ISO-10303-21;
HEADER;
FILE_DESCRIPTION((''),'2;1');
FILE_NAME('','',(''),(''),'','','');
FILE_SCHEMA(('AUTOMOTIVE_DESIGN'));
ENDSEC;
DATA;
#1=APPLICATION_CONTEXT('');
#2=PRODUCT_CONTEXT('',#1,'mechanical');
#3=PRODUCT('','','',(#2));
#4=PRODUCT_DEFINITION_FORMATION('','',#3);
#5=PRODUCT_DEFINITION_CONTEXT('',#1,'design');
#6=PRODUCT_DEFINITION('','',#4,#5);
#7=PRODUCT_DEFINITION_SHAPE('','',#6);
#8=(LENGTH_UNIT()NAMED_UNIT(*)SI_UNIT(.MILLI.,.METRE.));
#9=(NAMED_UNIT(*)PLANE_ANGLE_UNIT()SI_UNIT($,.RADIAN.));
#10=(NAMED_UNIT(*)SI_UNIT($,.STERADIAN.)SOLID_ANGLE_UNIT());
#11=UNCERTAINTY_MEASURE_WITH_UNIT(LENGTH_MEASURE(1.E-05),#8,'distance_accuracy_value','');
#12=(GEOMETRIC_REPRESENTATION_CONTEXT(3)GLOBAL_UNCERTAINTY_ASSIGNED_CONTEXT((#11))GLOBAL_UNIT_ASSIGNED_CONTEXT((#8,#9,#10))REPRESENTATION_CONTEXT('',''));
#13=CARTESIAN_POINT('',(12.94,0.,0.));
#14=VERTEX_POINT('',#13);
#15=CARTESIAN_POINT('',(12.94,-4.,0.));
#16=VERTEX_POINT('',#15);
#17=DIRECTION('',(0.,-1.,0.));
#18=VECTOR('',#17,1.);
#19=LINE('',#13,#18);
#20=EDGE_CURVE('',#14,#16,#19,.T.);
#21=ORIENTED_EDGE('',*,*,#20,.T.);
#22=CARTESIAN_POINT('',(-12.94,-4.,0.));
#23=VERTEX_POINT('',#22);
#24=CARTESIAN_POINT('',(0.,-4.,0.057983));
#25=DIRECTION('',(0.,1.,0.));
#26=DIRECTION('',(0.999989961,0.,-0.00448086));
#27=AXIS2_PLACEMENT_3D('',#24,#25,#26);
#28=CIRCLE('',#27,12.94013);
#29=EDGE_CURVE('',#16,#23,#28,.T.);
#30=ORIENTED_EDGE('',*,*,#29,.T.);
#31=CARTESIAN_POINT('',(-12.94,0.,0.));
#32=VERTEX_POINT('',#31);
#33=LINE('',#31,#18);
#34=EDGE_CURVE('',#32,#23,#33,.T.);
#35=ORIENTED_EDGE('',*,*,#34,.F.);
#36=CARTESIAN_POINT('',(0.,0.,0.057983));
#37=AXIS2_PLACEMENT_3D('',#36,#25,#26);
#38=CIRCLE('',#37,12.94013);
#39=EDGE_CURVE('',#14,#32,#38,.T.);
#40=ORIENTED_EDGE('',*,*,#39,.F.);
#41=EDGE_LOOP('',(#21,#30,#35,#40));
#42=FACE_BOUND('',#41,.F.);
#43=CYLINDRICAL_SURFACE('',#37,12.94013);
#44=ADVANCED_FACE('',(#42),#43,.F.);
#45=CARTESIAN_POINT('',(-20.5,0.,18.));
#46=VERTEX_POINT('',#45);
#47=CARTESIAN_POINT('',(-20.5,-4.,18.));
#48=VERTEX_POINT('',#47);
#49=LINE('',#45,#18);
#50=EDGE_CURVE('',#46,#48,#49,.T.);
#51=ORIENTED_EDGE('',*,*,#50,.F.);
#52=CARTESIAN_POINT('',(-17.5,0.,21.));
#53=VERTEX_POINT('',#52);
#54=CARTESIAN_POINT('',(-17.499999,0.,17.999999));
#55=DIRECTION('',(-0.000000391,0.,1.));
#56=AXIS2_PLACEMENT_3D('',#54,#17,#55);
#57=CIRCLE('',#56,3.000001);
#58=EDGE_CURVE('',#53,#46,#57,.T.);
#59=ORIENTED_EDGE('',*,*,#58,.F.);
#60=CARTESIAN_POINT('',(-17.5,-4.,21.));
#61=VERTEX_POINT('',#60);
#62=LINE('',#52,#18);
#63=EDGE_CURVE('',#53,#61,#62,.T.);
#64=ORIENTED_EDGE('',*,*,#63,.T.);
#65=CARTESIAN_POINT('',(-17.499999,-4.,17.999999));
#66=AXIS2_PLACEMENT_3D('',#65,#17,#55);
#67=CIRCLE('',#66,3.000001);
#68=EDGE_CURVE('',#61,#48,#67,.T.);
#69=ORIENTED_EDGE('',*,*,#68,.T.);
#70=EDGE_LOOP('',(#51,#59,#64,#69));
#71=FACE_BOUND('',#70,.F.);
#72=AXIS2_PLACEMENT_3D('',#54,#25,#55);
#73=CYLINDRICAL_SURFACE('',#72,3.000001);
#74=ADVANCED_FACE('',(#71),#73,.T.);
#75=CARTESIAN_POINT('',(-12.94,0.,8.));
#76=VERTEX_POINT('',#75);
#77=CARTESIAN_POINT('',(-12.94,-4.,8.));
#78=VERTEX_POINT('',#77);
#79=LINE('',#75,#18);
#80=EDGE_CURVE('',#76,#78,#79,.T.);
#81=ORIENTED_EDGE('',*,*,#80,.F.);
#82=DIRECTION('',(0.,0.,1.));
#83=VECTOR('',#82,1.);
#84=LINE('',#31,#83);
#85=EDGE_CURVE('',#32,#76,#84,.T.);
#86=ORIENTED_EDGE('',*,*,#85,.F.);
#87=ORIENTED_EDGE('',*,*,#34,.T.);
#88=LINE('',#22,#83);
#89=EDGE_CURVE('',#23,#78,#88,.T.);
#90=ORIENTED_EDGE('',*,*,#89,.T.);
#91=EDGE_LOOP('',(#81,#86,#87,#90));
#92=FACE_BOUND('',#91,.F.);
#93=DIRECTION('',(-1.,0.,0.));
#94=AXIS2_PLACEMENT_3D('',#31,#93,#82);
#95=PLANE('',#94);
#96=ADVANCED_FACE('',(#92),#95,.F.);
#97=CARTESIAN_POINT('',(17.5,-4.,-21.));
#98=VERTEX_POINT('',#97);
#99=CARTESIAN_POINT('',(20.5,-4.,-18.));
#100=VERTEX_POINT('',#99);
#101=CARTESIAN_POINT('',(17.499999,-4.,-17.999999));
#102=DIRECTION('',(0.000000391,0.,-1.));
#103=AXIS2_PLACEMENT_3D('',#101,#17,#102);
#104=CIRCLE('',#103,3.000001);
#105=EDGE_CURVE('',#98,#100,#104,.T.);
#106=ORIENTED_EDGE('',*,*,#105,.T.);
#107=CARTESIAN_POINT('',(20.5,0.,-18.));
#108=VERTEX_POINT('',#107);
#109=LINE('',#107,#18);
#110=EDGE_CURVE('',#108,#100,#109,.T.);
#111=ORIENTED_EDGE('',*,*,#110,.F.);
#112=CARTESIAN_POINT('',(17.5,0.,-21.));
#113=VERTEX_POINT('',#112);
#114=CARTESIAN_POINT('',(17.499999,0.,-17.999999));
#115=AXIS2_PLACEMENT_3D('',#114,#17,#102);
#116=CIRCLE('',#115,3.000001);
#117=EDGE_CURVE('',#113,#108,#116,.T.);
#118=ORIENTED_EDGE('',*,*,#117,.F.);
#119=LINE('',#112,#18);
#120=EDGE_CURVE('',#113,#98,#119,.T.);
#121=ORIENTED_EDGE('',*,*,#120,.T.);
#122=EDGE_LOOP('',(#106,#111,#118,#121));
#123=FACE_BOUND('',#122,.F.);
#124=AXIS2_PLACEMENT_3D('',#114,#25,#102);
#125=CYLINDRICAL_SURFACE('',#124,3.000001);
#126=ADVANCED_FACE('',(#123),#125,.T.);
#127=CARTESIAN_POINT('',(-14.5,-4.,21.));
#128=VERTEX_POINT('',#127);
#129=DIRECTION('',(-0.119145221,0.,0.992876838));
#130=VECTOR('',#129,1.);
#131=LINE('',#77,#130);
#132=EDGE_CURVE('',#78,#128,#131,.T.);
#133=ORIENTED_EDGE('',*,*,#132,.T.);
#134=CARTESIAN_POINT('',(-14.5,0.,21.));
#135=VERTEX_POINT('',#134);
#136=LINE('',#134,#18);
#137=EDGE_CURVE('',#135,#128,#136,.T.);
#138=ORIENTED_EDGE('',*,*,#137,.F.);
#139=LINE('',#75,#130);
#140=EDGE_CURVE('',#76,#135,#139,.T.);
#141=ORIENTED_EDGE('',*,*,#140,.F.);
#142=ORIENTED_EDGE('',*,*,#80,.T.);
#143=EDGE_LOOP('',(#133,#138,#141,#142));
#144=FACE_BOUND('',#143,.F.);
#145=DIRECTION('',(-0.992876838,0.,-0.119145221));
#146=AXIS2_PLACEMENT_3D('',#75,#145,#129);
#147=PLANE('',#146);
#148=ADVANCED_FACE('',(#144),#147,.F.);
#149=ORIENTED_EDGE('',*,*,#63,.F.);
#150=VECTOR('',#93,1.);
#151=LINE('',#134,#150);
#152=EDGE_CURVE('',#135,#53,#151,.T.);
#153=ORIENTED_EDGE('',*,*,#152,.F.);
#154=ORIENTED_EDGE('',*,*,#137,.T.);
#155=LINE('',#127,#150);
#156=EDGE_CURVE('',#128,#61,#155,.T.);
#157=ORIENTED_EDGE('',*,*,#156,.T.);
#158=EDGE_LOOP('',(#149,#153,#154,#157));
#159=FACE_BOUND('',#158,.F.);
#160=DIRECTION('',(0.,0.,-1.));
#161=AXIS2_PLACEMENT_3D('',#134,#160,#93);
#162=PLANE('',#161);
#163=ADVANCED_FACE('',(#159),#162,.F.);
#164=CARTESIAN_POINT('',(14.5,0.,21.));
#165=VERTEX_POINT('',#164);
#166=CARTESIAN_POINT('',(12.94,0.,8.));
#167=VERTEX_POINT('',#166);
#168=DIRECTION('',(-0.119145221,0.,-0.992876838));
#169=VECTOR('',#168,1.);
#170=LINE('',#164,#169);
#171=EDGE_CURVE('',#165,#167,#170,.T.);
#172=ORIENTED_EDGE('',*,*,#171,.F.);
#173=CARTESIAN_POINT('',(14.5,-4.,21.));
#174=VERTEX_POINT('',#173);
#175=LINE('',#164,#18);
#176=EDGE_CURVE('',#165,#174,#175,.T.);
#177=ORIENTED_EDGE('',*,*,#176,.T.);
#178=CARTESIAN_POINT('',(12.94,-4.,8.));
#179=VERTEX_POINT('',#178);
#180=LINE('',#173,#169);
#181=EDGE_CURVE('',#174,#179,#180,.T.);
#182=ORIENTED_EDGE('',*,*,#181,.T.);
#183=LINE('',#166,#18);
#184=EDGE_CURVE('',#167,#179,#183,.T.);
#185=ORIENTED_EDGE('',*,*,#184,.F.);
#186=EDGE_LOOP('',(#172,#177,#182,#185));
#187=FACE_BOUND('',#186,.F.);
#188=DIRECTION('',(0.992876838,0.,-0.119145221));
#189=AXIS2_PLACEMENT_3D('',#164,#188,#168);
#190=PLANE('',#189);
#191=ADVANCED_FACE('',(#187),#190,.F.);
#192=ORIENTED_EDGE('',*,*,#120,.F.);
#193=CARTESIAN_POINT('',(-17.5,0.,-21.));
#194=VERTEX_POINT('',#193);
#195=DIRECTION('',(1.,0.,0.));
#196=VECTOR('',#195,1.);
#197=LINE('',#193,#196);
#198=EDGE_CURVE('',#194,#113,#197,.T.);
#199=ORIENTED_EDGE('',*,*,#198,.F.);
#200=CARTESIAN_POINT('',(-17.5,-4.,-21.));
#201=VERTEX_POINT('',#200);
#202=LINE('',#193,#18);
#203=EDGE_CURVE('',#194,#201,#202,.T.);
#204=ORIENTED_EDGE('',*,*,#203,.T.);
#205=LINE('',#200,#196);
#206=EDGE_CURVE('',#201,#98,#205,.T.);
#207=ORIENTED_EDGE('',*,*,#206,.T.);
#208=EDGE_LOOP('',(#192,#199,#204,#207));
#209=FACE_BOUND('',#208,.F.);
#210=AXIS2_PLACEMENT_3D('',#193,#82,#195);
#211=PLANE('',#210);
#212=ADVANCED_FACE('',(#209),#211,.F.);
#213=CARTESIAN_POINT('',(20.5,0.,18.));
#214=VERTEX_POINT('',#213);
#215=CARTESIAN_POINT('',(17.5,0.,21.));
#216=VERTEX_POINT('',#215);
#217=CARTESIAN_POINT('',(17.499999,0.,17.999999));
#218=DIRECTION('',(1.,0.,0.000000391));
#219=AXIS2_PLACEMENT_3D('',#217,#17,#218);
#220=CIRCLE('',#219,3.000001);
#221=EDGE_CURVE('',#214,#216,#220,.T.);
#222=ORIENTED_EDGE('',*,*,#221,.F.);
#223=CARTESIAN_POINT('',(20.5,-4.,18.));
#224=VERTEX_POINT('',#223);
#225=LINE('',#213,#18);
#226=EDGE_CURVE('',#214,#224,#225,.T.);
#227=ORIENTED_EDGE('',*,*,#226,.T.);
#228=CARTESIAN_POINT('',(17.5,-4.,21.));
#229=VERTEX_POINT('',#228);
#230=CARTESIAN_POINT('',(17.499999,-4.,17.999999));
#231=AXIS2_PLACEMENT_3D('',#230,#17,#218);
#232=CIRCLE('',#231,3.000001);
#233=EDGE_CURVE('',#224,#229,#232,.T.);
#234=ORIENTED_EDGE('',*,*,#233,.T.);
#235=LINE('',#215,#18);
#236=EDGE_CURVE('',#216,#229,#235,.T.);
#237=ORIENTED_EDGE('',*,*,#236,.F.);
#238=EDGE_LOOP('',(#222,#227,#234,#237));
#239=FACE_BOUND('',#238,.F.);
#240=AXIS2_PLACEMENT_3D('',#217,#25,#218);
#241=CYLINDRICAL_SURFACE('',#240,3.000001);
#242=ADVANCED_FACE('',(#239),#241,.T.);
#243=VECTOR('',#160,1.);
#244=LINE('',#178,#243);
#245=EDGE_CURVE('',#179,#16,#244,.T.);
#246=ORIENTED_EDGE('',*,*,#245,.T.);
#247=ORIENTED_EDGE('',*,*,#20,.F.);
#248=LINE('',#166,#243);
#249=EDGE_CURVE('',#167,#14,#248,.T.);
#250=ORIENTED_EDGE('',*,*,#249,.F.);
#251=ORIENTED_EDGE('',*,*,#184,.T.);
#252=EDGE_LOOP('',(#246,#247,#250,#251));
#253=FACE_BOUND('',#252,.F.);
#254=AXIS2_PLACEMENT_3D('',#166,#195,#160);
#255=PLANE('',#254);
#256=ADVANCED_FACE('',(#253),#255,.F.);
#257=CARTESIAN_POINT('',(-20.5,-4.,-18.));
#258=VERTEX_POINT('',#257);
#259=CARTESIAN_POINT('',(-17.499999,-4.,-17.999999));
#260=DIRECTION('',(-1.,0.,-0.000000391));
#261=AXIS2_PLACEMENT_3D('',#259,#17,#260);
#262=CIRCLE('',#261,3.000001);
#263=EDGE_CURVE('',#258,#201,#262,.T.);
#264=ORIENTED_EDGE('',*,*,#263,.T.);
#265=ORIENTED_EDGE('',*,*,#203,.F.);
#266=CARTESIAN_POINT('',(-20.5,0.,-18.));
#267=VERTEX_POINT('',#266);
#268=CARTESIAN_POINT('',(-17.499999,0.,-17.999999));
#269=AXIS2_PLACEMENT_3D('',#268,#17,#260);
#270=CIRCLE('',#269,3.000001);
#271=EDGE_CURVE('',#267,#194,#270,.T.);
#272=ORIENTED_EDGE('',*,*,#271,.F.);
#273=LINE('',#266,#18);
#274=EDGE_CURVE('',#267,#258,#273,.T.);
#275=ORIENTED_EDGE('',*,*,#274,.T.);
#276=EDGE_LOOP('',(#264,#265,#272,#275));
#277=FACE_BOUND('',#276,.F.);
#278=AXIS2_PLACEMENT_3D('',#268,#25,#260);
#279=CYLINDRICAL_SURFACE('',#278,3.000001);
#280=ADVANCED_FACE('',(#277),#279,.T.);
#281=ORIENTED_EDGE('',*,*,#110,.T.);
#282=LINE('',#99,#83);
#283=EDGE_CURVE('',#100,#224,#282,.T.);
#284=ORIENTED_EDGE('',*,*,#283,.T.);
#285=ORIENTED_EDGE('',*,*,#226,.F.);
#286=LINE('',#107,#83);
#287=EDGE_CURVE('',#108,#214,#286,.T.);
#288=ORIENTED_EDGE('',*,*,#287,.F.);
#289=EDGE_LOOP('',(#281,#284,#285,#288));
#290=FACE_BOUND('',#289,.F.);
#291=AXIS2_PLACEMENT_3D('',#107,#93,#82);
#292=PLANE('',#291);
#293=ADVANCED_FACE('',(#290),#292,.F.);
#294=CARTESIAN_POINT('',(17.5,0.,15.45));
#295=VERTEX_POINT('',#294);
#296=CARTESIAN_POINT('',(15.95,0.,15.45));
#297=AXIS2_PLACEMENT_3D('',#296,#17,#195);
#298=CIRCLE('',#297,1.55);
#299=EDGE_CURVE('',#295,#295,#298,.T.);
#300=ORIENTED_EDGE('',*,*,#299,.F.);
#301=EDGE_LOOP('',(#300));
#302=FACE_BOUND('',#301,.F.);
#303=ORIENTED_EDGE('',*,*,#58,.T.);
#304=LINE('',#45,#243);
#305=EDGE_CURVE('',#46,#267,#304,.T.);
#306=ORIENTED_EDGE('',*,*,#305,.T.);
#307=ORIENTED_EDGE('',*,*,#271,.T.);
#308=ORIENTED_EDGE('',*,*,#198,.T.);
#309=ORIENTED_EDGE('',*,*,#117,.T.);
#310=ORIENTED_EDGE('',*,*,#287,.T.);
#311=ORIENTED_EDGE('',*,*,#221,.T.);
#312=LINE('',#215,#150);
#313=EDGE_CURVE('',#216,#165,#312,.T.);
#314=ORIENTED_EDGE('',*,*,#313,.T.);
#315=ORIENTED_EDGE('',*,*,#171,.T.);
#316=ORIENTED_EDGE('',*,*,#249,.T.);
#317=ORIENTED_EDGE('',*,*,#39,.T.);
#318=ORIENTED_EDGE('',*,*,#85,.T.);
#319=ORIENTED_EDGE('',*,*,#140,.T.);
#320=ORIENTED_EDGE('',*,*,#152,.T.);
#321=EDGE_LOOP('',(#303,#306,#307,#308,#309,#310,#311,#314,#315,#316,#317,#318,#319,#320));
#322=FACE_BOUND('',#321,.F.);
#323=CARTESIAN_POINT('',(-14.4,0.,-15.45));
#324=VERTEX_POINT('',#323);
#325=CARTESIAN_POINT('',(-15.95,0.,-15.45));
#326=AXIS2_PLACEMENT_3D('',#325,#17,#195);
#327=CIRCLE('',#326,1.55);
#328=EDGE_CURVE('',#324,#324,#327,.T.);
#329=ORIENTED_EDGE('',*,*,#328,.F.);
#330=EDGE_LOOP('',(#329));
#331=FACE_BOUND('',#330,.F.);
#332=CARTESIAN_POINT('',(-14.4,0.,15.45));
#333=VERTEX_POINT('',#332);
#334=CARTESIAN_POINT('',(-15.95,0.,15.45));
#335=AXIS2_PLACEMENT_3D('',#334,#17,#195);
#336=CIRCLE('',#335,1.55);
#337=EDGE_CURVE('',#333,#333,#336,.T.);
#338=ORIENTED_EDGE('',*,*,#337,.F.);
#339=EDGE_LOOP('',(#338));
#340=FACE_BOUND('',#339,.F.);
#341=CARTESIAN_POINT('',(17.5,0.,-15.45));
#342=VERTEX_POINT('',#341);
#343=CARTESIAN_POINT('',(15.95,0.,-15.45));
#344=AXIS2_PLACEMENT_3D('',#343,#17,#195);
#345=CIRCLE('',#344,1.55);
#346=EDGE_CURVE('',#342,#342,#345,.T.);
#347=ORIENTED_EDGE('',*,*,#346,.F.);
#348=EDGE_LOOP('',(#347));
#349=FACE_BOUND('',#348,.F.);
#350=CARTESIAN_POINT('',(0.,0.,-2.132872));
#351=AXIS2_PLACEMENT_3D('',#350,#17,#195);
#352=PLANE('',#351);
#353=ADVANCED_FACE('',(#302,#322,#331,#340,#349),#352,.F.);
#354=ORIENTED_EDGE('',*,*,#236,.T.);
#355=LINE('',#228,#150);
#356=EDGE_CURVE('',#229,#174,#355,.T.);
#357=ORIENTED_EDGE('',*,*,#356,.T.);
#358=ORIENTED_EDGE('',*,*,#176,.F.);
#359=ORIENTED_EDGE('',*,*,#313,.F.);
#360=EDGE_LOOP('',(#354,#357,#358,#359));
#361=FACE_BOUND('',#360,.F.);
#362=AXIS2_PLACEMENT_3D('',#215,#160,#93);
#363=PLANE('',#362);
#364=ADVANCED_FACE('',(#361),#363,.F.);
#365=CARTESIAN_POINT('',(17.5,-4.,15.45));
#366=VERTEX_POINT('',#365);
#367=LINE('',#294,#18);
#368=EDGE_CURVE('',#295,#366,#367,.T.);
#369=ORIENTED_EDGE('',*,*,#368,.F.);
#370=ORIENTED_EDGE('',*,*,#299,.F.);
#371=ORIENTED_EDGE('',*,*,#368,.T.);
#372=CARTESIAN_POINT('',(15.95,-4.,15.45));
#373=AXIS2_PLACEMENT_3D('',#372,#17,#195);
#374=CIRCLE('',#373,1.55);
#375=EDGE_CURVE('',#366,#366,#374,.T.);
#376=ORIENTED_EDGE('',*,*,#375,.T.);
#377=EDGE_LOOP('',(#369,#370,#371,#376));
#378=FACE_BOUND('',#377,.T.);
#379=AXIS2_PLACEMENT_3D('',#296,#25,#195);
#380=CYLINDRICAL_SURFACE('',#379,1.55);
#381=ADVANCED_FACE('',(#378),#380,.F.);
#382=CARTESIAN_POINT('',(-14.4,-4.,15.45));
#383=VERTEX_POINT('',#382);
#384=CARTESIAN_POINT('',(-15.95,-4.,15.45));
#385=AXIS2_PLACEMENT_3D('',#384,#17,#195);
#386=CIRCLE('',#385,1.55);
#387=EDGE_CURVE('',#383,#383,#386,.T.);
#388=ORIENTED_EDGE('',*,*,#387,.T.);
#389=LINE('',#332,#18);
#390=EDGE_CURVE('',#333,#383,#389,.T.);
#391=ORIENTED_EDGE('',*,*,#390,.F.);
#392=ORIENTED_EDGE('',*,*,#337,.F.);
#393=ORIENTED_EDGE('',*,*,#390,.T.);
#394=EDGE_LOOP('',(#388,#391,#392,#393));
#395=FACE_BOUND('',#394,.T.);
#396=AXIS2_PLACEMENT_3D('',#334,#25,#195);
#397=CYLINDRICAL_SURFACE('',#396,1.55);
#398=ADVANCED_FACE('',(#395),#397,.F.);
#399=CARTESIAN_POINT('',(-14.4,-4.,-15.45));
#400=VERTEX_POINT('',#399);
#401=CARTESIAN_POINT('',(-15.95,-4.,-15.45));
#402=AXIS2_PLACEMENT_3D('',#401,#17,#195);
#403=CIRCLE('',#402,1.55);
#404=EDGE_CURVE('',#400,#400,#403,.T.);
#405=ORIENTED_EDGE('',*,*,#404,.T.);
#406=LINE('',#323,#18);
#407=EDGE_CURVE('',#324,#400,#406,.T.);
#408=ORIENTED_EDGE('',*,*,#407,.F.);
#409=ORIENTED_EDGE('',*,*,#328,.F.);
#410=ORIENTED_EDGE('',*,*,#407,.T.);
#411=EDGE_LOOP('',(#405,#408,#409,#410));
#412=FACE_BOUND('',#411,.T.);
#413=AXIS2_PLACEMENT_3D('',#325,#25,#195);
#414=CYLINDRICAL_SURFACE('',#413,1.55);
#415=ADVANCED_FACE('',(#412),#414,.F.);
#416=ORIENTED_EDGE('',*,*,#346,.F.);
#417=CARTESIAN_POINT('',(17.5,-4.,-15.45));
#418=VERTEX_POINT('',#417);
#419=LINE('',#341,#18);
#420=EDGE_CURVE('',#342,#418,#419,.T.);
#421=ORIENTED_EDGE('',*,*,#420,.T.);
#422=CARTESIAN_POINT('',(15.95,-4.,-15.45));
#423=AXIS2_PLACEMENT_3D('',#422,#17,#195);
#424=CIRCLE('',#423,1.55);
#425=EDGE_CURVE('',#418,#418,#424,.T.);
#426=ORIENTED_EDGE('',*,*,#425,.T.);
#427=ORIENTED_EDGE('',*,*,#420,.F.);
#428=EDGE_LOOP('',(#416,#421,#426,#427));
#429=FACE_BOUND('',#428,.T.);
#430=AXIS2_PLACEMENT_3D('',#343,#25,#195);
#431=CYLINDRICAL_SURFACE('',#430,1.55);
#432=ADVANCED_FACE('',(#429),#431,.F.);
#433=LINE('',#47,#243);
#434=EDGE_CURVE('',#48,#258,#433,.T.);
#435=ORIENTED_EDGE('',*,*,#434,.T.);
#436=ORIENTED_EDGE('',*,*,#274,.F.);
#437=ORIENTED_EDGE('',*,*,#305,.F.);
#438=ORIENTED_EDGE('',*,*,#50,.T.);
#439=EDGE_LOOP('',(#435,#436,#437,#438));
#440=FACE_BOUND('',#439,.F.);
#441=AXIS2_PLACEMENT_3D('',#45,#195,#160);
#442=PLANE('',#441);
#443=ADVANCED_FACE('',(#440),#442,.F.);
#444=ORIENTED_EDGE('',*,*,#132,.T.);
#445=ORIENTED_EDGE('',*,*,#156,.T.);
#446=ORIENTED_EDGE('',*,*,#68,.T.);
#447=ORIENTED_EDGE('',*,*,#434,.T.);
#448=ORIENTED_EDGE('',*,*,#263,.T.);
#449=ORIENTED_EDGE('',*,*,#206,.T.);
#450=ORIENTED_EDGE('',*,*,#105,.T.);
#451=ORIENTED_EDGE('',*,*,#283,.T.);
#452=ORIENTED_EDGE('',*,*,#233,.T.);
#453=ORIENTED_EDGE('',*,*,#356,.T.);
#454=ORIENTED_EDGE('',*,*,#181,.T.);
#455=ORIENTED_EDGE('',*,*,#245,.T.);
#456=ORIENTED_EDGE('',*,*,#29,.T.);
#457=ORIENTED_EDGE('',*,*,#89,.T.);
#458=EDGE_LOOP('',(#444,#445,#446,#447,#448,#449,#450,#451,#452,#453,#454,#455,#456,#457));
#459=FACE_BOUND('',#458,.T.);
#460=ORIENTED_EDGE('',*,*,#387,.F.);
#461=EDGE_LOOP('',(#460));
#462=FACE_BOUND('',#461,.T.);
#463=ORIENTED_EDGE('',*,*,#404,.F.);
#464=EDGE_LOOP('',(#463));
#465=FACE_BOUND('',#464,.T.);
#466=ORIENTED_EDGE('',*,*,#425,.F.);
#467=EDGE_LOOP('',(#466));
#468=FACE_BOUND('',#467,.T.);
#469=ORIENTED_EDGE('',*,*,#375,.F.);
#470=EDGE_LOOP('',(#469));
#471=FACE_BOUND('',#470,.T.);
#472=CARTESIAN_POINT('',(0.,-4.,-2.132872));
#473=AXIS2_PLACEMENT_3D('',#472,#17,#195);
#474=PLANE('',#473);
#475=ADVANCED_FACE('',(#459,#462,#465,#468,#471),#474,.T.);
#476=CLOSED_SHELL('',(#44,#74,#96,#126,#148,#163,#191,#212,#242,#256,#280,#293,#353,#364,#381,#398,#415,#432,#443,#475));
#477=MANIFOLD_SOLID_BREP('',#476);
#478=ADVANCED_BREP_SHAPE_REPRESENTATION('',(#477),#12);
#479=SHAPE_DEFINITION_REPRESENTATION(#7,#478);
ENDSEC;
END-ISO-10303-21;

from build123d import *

# Parameters (mm, degrees)
F0_R     = 1.55
F1_DEPTH = 4


with BuildPart() as f1:
    # F0 (on Front) → F1 (new body)
    with BuildSketch(Plane.XZ):
        with BuildLine():
            Line((-14.5, 21), (-17.5, 21))
            ThreePointArc((-17.5, 21), (-19.62132, 20.12132), (-20.5, 18))
            Line((-20.5, 18), (-20.5, -18))
            ThreePointArc((-20.5, -18), (-19.62132, -20.12132), (-17.5, -21))
            Line((-17.5, -21), (17.5, -21))
            ThreePointArc((17.5, -21), (19.62132, -20.12132), (20.5, -18))
            Line((20.5, -18), (20.5, 18))
            ThreePointArc((20.5, 18), (19.62132, 20.12132), (17.5, 21))
            Line((17.5, 21), (14.5, 21))
            Line((14.5, 21), (12.94, 8))
            Line((12.94, 8), (12.94, 0))
            ThreePointArc((12.94, 0), (0, -12.882147), (-12.94, 0))
            Line((-12.94, 0), (-12.94, 8))
            Line((-12.94, 8), (-14.5, 21))
        make_face()
        with Locations((-15.95, -15.45)):
            Circle(F0_R, mode=Mode.SUBTRACT)
        with Locations((15.95, -15.45)):
            Circle(F0_R, mode=Mode.SUBTRACT)
        with Locations((-15.95, 15.45)):
            Circle(F0_R, mode=Mode.SUBTRACT)
        with Locations((15.95, 15.45)):
            Circle(F0_R, mode=Mode.SUBTRACT)
    extrude(amount=F1_DEPTH)


solid = f1.part
